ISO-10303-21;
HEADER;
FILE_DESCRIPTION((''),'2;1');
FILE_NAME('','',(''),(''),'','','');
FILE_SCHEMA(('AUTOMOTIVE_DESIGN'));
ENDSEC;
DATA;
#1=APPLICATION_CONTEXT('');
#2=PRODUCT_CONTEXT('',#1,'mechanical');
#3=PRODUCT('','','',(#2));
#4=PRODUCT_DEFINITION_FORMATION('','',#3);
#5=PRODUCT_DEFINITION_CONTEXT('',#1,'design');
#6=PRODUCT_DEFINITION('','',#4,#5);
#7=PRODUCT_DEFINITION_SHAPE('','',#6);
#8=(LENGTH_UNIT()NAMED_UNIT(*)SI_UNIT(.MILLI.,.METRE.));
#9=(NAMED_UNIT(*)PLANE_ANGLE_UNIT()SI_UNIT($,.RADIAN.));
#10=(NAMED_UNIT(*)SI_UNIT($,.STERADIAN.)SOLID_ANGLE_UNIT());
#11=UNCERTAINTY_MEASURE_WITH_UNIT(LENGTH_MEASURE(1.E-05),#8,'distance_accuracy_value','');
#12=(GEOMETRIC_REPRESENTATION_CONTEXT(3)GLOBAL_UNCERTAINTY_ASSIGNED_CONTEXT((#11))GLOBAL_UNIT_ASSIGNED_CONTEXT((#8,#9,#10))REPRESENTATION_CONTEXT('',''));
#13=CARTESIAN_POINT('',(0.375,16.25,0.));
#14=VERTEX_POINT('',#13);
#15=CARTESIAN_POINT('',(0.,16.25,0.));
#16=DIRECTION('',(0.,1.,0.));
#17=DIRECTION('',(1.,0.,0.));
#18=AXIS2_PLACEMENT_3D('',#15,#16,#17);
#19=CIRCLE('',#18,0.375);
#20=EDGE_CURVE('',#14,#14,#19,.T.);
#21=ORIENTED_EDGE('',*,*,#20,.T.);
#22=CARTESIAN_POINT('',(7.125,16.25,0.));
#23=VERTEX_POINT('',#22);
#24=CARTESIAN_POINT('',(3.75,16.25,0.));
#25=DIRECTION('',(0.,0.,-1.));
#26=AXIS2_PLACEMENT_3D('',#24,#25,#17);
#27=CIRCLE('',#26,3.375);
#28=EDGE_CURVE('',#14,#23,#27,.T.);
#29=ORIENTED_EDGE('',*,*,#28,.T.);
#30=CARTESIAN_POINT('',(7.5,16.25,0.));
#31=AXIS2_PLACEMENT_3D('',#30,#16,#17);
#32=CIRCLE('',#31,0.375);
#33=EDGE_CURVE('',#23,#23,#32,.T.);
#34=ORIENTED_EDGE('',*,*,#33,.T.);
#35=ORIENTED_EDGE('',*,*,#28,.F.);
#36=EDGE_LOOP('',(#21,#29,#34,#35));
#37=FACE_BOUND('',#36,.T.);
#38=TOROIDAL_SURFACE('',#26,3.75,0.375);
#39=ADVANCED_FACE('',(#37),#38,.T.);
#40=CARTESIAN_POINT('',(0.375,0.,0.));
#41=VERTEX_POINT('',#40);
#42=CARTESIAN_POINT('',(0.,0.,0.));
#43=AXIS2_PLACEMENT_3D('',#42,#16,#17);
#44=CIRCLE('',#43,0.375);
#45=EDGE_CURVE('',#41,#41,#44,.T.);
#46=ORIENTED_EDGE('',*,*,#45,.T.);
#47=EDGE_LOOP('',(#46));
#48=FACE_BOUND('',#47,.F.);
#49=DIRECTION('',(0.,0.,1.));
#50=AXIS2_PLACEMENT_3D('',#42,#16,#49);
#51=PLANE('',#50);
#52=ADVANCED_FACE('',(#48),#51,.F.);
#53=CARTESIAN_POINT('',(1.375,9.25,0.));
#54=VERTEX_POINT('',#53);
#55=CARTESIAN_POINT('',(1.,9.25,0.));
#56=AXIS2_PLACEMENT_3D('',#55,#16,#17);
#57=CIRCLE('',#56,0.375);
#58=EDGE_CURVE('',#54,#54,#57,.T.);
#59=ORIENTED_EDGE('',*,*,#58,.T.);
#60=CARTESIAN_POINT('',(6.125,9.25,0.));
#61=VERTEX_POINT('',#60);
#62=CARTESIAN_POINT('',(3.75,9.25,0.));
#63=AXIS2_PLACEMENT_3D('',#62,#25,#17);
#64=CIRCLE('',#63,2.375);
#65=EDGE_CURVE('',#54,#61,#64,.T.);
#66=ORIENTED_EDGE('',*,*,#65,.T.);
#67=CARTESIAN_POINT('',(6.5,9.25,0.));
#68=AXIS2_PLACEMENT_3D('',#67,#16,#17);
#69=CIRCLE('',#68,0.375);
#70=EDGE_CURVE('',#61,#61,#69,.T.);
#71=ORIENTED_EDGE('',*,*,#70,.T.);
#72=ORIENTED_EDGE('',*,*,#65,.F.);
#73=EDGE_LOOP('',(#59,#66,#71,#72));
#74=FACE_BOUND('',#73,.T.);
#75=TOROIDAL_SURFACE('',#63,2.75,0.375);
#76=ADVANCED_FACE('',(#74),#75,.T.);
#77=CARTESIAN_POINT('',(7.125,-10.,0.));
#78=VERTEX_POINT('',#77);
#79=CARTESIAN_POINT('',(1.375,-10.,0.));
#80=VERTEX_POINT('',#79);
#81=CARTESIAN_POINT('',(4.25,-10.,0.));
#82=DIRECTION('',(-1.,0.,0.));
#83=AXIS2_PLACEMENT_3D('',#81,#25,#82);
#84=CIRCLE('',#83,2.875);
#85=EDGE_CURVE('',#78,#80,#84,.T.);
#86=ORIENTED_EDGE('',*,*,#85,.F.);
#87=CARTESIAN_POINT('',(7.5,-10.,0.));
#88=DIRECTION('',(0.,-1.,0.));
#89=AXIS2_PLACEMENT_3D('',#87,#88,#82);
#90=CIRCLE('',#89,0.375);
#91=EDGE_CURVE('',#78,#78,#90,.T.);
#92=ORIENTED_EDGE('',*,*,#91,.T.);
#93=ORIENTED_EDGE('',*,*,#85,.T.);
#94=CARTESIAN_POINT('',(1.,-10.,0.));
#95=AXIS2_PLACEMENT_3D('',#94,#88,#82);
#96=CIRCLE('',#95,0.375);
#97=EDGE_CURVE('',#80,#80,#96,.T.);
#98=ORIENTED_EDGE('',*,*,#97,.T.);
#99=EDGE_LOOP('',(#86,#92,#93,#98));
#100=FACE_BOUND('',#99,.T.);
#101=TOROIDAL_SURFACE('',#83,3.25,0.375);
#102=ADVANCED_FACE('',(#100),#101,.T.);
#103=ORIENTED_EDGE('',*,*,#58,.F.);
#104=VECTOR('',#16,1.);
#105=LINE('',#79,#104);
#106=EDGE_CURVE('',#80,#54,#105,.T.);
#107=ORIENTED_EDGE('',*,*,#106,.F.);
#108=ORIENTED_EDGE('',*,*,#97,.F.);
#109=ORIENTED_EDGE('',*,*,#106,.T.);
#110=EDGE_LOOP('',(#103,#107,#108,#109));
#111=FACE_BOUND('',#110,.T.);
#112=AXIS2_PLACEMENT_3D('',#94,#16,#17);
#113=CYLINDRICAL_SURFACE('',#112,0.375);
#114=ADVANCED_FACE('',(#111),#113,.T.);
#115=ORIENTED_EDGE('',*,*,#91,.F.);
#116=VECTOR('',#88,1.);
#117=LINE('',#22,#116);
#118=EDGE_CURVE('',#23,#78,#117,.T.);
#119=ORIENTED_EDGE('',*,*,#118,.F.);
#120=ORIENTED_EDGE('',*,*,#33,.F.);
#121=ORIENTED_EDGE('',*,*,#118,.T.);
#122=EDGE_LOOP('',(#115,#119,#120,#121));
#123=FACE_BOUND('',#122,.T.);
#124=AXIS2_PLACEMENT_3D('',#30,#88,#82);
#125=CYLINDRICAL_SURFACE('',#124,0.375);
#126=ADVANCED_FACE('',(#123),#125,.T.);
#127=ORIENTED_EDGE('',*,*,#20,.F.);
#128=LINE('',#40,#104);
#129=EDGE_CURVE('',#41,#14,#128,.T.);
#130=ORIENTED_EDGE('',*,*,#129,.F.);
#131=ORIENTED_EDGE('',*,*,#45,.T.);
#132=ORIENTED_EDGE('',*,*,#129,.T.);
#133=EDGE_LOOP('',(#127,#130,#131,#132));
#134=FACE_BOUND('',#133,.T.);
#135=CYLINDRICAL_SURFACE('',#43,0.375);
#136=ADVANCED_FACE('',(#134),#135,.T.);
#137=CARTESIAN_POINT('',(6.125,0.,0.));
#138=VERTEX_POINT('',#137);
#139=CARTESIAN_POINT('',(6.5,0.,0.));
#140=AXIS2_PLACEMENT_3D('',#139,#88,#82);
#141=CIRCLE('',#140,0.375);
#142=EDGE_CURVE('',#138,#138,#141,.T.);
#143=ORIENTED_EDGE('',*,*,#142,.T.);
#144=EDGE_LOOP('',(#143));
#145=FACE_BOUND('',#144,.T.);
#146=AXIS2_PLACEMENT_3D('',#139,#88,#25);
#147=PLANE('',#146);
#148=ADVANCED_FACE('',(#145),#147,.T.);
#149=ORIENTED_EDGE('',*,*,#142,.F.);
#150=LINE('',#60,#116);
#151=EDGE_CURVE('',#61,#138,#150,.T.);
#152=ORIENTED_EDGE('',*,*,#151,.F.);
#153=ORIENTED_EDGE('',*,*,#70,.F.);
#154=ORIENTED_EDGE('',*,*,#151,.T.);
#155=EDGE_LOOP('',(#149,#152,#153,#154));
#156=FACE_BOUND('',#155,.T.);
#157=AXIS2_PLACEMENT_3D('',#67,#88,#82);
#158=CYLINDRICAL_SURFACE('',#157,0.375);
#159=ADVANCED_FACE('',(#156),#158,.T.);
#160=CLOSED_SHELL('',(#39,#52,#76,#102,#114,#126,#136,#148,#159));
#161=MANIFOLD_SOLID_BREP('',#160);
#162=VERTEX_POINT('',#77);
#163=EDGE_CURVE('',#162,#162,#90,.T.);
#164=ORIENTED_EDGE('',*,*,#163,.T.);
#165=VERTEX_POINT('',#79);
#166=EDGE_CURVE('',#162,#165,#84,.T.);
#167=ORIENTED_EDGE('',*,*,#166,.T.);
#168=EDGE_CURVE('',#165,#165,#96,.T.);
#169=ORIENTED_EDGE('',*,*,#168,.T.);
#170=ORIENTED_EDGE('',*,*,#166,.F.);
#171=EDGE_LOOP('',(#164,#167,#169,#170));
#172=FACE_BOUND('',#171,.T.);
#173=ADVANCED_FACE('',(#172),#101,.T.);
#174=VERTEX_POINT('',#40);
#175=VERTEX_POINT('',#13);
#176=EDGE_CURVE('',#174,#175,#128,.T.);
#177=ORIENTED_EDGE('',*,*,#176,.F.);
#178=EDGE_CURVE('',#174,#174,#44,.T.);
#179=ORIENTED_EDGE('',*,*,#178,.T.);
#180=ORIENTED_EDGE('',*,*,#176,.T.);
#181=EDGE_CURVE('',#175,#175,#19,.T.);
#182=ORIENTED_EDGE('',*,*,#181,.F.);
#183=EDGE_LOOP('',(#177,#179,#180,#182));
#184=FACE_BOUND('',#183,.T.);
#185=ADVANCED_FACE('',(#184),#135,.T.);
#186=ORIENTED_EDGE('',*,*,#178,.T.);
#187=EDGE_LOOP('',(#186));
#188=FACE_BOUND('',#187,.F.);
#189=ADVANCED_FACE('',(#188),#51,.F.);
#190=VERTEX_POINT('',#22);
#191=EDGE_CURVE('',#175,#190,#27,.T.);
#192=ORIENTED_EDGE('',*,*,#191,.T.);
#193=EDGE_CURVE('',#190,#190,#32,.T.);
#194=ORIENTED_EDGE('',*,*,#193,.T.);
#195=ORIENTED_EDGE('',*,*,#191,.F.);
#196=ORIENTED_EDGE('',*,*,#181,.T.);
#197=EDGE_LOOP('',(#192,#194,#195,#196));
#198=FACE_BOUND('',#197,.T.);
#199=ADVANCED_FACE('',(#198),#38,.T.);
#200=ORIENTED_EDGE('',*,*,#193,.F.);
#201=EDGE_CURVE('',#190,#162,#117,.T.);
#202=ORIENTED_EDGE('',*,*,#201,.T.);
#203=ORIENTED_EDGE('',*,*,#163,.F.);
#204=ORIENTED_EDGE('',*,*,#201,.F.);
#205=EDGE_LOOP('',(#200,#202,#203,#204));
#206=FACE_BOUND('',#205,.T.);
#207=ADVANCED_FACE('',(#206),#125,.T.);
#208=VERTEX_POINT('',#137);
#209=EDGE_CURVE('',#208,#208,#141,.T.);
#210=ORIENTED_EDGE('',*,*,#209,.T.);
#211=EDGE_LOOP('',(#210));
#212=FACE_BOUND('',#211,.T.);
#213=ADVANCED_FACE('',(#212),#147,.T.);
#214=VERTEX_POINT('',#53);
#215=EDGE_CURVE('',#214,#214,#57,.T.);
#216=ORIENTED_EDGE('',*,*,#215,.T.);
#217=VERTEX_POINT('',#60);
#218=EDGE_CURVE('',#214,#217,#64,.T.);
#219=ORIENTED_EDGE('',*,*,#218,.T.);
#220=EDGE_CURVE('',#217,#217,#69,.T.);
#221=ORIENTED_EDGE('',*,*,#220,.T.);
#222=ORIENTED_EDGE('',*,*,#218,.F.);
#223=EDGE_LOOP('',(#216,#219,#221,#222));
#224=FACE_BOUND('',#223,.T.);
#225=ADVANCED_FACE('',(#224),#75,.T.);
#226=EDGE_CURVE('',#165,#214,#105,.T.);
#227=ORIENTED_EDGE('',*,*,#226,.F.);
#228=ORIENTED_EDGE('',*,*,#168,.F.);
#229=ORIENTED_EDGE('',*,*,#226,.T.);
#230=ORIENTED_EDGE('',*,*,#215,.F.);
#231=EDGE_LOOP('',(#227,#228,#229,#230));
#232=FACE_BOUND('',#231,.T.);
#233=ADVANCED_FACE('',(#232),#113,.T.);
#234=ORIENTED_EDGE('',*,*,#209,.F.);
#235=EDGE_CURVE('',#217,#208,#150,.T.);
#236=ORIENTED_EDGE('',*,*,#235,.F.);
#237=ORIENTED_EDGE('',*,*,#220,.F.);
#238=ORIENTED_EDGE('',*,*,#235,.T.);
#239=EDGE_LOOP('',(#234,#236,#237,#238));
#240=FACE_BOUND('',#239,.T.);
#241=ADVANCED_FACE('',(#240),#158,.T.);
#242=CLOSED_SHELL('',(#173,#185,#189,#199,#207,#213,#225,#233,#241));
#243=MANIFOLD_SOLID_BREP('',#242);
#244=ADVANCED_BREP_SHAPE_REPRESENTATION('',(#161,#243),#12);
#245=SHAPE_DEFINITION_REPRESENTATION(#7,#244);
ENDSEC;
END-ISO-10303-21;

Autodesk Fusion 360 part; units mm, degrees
sketch "sweep path" plane through (0, 0, 0) normal (0, 0, 1) x (1, 0, 0)
  line L0 (0, 0) -> (0, 16.25)
  line L1 (0, 16.25) -> (7.5, 16.25) construction
  line L2 (7.5, 16.25) -> (7.5, -10)
  line L3 (7.5, -10) -> (1, -10) construction
  line L4 (1, -10) -> (1, 9.25)
  line L5 (1, 9.25) -> (6.5, 9.25) construction
  line L6 (6.5, 9.25) -> (6.5, 0)
  arc A0 (7.5, 16.25) -> (0, 16.25) centre (3.75, 16.25) ccw
  arc A1 (6.5, 9.25) -> (1, 9.25) centre (3.75, 9.25) ccw
  arc A2 (1, -10) -> (7.5, -10) centre (4.25, -10) ccw
  dimension "d1" = 16.25
  dimension "d2" = 7.5
  dimension "d3" = 26.25
  dimension "d4" = 6.5
  dimension "d5" = 19.25
  dimension "d6" = 5.5
  dimension "d7" = 9.25
sketch "sweep profile" plane through (0, 0, 0) normal (0, 1, 0) x (1, 0, 0)
  circle A0 centre (0, 0) radius 0.375
  dimension "d8" = 0.75
sweep "Sweep1" add profiles "sweep profile" path "sweep path" along L6 A1 L4 A2 L2 A0 L0 section 1 makes body 1
sweep "Sweep2" add profiles "sweep profile" path "sweep path" along L0 A0 L2 A2 L4 A1 L6 section 1 separate body makes body 2
